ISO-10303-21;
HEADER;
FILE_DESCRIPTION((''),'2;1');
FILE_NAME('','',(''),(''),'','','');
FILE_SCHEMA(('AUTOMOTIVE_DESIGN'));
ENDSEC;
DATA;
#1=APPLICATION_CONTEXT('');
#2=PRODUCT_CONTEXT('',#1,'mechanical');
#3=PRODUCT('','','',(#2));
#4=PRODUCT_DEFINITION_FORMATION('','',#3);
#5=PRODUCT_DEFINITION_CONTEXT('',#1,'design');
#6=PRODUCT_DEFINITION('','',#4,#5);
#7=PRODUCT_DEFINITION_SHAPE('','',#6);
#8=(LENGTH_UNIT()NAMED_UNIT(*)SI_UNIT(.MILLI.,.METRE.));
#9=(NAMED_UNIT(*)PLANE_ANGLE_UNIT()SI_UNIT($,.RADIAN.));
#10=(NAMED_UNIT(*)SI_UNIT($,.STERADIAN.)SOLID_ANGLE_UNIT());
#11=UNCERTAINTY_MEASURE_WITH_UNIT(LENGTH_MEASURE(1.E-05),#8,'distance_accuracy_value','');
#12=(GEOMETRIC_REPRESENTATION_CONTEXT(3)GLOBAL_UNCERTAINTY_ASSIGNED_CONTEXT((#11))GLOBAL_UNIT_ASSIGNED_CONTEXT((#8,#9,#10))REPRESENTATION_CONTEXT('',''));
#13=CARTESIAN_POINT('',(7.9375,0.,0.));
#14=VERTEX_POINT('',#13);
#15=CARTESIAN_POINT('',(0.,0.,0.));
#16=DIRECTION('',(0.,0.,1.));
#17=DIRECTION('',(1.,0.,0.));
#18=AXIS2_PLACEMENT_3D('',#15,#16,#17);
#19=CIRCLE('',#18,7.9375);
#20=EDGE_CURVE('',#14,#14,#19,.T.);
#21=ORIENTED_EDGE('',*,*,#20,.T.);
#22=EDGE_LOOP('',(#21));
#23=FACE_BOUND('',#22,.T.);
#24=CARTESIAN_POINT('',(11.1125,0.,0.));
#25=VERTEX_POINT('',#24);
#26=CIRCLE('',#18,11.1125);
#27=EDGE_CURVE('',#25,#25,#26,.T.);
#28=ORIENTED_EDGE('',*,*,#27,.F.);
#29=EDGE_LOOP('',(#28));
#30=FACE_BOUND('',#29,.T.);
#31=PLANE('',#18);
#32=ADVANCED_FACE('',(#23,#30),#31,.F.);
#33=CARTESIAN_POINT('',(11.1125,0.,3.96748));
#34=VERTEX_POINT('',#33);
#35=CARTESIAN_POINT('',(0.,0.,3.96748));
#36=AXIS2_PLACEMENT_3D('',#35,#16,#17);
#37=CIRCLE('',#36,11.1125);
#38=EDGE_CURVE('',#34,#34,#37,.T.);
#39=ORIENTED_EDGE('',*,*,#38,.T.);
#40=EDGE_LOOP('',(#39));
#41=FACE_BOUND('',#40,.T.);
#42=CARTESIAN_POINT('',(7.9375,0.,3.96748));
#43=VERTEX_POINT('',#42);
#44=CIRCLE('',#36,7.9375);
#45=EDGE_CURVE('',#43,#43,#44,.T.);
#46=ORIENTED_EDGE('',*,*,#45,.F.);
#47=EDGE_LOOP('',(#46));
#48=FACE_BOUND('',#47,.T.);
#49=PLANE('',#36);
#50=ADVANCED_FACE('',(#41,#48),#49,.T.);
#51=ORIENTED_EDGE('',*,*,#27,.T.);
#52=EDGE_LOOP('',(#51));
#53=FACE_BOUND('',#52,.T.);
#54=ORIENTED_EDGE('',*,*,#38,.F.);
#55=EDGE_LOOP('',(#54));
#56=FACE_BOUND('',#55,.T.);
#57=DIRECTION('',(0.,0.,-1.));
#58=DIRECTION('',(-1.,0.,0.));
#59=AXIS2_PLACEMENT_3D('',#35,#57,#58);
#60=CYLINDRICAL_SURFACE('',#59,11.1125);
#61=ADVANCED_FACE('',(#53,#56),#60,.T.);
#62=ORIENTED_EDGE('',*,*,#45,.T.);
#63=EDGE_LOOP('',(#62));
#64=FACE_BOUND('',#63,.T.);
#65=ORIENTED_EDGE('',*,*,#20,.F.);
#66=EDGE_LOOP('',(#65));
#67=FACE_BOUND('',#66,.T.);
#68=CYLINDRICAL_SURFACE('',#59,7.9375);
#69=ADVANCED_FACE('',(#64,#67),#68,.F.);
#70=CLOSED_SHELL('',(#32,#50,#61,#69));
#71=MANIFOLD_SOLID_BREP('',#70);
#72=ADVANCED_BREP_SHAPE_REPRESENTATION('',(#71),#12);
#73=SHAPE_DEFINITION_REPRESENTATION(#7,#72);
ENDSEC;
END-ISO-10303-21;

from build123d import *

# Parameters (mm, degrees)
SKETCH1_R           = 11.1125
SKETCH1_R_2         = 7.9375
BOSS_EXTRUDE1_DEPTH = 3.96748


with BuildPart() as part:
    # Sketch1 → Boss-Extrude1 (new body)
    with BuildSketch(Plane.XY):
        Circle(SKETCH1_R)
        Circle(SKETCH1_R_2, mode=Mode.SUBTRACT)
    extrude(amount=BOSS_EXTRUDE1_DEPTH)


solid = part.part
